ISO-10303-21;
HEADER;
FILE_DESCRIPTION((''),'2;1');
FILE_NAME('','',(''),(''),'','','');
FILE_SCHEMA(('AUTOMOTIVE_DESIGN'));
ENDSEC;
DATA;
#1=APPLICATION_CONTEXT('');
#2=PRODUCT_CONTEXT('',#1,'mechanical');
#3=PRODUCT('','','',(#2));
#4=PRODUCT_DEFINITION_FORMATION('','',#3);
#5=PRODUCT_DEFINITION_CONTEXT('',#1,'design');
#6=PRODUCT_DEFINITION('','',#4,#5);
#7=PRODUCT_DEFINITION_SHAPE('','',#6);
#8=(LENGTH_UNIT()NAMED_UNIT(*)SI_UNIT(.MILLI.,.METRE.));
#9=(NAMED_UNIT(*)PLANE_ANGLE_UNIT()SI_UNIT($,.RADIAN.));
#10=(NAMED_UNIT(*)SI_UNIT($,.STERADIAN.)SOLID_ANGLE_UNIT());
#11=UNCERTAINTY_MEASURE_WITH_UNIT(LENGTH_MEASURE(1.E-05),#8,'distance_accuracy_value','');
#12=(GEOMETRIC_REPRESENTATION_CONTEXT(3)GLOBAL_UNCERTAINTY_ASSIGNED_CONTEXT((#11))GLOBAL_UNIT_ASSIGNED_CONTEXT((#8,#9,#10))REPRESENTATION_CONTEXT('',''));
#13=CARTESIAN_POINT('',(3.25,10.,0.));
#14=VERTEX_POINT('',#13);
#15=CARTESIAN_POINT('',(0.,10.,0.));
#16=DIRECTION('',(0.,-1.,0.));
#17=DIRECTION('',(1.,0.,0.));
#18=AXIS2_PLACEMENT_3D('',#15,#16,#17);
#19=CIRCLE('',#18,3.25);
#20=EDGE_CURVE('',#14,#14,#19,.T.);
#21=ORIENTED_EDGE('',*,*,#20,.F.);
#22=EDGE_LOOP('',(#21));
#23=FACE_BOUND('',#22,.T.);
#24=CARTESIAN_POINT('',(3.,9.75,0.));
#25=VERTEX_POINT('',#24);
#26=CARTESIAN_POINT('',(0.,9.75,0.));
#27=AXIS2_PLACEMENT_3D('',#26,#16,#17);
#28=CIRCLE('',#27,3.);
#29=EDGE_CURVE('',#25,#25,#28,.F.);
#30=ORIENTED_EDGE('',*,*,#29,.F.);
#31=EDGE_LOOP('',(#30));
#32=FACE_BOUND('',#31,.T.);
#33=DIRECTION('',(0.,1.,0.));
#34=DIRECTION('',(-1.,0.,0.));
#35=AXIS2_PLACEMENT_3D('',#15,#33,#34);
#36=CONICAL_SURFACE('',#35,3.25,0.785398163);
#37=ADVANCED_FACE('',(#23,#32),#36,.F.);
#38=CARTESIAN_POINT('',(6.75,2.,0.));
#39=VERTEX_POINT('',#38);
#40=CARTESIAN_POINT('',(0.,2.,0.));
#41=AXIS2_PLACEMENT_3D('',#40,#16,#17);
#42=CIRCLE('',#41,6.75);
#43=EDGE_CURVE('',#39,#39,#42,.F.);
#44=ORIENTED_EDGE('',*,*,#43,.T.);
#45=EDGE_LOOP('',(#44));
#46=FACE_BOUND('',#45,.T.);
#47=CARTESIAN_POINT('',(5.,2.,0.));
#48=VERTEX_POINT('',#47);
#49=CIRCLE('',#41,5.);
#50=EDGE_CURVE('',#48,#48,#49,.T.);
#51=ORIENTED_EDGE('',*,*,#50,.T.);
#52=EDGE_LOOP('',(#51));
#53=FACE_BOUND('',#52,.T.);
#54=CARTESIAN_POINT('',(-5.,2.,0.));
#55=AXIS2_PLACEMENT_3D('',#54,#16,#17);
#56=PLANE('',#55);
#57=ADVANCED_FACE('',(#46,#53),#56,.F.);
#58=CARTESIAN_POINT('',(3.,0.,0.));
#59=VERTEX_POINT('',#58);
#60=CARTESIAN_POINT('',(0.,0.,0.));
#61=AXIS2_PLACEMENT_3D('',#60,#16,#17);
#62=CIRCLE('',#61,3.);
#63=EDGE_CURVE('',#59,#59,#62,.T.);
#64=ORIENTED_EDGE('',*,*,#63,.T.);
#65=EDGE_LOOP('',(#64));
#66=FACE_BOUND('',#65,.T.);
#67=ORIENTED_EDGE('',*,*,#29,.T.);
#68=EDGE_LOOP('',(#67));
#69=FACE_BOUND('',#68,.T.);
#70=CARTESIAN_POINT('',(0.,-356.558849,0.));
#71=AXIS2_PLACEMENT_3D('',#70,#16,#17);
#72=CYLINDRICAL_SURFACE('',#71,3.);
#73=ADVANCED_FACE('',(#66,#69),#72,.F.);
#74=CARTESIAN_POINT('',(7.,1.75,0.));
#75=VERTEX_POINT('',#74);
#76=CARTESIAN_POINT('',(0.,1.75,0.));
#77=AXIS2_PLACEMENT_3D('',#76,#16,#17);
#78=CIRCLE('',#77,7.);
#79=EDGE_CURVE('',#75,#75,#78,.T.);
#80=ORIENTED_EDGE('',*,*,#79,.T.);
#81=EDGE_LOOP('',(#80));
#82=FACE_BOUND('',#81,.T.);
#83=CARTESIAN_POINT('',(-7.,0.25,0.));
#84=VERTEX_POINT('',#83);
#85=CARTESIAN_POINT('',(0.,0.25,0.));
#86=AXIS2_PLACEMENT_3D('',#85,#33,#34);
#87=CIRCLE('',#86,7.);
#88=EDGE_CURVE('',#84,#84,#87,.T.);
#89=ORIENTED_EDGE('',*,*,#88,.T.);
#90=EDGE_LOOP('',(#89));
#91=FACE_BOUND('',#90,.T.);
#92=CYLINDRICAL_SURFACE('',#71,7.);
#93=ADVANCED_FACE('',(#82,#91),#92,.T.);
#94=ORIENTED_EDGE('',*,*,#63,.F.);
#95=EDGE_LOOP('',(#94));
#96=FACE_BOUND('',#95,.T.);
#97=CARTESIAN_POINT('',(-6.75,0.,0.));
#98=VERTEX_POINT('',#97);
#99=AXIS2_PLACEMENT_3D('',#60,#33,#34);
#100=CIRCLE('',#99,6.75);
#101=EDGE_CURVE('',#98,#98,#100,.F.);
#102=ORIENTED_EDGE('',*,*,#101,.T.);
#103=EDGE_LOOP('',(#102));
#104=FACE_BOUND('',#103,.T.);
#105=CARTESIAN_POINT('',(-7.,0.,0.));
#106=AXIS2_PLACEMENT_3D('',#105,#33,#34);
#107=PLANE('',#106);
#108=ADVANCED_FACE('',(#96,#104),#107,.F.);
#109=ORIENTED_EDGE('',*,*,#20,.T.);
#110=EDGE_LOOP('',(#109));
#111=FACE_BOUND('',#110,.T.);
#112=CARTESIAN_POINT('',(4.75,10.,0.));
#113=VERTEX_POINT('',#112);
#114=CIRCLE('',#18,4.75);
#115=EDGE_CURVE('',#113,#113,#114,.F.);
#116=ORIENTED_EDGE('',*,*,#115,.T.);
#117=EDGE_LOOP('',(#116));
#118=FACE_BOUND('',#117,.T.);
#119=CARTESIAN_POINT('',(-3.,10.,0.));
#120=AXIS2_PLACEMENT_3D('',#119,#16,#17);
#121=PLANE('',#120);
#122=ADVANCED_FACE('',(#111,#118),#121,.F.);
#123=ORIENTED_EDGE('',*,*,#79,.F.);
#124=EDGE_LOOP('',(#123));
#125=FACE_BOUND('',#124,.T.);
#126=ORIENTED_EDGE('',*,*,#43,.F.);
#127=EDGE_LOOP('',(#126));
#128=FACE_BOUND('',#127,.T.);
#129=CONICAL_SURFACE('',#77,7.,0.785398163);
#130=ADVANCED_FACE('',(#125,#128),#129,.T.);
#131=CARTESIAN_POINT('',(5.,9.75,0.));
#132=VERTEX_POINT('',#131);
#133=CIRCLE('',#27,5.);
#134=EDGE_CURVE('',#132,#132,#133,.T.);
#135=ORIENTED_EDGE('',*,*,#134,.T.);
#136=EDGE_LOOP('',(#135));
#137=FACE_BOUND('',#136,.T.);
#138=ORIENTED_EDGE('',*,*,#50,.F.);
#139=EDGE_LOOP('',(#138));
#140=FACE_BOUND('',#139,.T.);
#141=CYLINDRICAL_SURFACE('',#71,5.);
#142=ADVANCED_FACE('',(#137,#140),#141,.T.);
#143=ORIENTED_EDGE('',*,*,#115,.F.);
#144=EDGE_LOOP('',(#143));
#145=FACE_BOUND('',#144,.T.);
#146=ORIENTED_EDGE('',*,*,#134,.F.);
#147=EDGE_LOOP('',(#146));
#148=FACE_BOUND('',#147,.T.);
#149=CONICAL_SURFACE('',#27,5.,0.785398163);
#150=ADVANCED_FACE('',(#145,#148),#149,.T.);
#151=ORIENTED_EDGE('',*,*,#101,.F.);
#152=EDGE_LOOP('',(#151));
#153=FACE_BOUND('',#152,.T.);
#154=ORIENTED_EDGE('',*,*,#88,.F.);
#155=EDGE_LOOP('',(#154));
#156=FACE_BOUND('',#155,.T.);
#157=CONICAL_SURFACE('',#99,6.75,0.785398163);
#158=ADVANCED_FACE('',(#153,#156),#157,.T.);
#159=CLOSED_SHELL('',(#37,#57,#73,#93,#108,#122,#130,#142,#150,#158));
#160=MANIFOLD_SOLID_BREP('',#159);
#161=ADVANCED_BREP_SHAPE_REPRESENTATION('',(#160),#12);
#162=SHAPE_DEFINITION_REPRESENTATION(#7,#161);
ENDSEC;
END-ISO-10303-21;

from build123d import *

# Parameters (mm, degrees)
CHAMFER1_SIZE = 0.25


with BuildPart() as part:
    # Sketch1 → Revolve1 (revolve)
    with BuildSketch(Plane.XY, mode=Mode.PRIVATE) as revolve1_sk:
        Polygon((-3, 0), (-3, 10), (-5, 10), (-5, 2), (-7, 2), (-7, 0), align=None)
    revolve(revolve1_sk.sketch.rotate(Axis((0, -356.558848917, 0), (0, 1, 0)), 180), axis=Axis((0, -356.558848917, 0), (0, 1, 0)))

    # Chamfer1
    chamfer1_edges = [part.edges().sort_by_distance(p)[0] for p in [
        (-7, 0, 0),
        (-7, 2, 0),
        (-5, 10, 0),
        (-3, 10, 0),
    ]]
    chamfer(chamfer1_edges, length=CHAMFER1_SIZE)


solid = part.part
